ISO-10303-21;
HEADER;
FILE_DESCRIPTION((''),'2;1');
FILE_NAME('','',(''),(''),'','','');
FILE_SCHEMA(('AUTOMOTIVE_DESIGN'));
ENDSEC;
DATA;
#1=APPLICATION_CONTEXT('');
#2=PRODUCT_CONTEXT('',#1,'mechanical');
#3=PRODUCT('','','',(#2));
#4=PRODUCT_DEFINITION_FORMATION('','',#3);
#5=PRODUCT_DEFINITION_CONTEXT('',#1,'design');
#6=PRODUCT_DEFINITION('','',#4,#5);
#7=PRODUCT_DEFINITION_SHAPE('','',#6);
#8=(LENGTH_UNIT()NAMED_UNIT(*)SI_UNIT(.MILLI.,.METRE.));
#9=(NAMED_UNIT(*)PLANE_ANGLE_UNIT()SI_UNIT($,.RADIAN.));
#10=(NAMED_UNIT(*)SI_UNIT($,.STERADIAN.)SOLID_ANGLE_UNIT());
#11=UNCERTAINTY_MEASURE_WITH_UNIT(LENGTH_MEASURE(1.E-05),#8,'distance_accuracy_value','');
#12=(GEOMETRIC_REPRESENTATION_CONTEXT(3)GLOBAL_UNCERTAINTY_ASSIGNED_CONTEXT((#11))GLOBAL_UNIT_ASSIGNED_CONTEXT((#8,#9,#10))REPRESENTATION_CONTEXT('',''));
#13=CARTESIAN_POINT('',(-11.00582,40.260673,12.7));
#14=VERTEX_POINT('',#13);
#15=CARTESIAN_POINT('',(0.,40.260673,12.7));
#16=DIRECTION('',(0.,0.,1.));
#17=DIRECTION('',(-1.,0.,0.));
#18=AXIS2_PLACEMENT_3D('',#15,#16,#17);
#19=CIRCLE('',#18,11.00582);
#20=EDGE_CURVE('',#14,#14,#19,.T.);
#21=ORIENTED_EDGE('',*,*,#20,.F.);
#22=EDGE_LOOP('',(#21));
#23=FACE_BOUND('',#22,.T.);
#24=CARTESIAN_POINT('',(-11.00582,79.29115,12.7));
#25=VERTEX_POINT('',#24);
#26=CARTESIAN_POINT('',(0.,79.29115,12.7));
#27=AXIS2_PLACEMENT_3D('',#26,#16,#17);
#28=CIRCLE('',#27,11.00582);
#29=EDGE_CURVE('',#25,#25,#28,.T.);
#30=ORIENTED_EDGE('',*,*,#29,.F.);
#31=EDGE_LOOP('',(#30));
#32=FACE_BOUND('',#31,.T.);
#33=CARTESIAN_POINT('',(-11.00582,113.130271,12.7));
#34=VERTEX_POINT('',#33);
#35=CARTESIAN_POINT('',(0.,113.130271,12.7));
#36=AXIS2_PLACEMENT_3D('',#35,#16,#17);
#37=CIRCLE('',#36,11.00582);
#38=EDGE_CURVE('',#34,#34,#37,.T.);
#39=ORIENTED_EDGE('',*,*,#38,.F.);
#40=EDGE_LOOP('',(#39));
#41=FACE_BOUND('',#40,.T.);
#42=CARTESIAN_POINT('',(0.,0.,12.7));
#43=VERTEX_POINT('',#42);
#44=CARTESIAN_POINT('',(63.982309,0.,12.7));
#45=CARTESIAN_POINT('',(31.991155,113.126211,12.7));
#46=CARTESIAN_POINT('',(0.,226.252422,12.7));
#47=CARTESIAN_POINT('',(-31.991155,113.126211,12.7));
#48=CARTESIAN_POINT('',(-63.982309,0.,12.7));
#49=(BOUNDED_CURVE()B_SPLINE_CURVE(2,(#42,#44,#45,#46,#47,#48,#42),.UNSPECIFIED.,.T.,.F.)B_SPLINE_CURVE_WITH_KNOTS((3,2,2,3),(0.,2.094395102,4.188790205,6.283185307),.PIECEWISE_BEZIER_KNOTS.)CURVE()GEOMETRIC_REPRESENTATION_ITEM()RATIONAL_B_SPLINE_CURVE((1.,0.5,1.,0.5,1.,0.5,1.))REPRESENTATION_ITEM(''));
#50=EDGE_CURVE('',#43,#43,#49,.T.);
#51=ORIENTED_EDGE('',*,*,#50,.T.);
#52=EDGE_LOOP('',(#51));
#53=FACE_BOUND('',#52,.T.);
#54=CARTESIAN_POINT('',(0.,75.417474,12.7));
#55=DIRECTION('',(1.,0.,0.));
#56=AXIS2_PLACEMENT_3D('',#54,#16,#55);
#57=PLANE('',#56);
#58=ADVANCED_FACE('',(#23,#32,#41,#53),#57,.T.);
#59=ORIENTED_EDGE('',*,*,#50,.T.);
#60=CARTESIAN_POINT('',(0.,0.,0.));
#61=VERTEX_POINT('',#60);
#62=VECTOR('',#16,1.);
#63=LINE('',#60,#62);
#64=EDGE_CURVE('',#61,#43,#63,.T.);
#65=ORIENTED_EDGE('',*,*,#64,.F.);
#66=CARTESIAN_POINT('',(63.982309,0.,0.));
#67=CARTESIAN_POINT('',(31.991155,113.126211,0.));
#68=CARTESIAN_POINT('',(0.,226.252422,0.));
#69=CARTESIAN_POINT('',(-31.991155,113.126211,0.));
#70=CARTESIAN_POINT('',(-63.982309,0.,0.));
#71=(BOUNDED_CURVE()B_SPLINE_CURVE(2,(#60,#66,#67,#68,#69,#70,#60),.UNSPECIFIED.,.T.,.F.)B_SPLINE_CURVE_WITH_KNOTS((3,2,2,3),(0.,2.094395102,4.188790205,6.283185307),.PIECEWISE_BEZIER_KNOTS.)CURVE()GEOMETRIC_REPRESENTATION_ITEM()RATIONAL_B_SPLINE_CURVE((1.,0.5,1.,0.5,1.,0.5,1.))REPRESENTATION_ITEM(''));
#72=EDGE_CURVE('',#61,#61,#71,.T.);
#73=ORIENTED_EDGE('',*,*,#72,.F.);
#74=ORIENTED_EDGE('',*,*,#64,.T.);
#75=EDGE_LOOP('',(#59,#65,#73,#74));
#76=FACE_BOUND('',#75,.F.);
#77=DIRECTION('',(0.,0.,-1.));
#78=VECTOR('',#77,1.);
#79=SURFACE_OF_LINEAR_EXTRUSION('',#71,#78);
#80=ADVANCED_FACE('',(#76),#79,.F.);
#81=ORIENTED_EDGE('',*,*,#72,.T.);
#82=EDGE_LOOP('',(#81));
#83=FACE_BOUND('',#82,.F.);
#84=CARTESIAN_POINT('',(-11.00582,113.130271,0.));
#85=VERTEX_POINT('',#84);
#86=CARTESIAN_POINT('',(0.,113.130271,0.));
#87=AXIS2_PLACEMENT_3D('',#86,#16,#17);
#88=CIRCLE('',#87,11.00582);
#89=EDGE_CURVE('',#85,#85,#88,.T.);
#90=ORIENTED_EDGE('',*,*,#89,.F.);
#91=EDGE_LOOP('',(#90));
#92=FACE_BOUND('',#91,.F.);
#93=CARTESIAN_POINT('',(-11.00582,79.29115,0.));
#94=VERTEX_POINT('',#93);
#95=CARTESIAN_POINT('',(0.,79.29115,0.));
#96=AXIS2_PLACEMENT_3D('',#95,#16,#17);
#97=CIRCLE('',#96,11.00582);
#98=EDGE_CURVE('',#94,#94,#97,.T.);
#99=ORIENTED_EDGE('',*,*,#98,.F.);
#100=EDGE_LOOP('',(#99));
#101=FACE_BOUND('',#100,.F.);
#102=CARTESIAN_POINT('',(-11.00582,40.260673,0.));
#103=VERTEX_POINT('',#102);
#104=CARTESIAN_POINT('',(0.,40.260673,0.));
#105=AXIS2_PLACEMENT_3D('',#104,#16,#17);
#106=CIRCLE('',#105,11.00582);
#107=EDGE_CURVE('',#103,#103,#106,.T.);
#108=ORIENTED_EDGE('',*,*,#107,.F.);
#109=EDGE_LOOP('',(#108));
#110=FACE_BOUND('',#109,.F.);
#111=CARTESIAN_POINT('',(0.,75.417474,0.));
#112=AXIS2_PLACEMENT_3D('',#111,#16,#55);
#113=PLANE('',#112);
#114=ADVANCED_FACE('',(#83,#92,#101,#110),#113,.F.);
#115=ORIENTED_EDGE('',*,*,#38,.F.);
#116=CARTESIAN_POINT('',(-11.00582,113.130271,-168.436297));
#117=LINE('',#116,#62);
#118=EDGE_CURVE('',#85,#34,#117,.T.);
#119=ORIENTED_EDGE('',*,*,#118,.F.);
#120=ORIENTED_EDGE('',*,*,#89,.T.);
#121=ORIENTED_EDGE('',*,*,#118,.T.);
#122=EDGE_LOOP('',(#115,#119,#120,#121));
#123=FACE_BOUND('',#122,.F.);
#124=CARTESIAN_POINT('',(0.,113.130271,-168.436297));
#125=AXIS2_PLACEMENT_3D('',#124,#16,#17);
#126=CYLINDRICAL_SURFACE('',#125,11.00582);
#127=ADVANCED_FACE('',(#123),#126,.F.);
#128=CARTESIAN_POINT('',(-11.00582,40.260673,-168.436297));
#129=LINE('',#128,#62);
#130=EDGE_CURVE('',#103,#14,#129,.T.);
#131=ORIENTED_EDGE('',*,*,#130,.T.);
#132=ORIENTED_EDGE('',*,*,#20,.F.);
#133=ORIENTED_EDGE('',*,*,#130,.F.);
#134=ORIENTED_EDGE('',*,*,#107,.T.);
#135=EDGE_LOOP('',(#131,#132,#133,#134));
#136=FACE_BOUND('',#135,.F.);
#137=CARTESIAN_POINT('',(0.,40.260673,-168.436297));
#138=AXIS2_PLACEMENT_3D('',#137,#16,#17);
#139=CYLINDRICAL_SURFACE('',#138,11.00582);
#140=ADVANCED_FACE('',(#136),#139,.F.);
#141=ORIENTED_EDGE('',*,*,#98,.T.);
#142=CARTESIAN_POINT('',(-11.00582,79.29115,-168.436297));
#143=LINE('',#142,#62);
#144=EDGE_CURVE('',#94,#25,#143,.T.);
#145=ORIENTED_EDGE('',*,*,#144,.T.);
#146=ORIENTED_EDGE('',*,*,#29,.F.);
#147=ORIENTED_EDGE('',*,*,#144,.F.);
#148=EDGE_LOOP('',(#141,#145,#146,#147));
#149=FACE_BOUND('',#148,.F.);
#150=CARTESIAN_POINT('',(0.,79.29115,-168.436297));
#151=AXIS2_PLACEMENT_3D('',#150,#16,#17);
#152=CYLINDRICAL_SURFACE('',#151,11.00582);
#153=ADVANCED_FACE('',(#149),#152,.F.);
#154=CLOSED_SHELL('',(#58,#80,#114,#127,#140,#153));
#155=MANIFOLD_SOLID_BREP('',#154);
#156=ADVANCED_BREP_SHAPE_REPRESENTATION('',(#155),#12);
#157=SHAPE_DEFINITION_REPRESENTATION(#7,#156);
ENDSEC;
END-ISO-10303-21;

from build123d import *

# Parameters (mm, degrees)
F2_DEPTH = 12.7
F4_D     = 22.01164


with BuildPart() as f2:
    # F0 (on Top) → F2 (new body)
    with BuildSketch(Plane.XY):
        with BuildLine():
            add(Edge.make_bspline(
                [(0, 0), (63.9823091671, 0), (31.9911545836, 113.1262108684), (0, 226.2524217367), (-31.9911545836, 113.1262108684), (-63.9823091671, 0), (0, 0)],
                knots=[0, 0, 0, 2.0943951024, 2.0943951024, 4.1887902048, 4.1887902048, 6.2831853072, 6.2831853072, 6.2831853072], degree=2, weights=[1, 0.5, 1, 0.5, 1, 0.5, 1]))
        make_face()
    extrude(amount=F2_DEPTH)

    # F4 (through all)
    with Locations(Plane(origin=(0, 0, 0), x_dir=(1, 0, 0), z_dir=(0, 0, -1))):
        with Locations((0, -40.2606725693), (0, -79.2911499739), (0, -113.1302714348)):
            Hole(F4_D / 2)


solid = f2.part
